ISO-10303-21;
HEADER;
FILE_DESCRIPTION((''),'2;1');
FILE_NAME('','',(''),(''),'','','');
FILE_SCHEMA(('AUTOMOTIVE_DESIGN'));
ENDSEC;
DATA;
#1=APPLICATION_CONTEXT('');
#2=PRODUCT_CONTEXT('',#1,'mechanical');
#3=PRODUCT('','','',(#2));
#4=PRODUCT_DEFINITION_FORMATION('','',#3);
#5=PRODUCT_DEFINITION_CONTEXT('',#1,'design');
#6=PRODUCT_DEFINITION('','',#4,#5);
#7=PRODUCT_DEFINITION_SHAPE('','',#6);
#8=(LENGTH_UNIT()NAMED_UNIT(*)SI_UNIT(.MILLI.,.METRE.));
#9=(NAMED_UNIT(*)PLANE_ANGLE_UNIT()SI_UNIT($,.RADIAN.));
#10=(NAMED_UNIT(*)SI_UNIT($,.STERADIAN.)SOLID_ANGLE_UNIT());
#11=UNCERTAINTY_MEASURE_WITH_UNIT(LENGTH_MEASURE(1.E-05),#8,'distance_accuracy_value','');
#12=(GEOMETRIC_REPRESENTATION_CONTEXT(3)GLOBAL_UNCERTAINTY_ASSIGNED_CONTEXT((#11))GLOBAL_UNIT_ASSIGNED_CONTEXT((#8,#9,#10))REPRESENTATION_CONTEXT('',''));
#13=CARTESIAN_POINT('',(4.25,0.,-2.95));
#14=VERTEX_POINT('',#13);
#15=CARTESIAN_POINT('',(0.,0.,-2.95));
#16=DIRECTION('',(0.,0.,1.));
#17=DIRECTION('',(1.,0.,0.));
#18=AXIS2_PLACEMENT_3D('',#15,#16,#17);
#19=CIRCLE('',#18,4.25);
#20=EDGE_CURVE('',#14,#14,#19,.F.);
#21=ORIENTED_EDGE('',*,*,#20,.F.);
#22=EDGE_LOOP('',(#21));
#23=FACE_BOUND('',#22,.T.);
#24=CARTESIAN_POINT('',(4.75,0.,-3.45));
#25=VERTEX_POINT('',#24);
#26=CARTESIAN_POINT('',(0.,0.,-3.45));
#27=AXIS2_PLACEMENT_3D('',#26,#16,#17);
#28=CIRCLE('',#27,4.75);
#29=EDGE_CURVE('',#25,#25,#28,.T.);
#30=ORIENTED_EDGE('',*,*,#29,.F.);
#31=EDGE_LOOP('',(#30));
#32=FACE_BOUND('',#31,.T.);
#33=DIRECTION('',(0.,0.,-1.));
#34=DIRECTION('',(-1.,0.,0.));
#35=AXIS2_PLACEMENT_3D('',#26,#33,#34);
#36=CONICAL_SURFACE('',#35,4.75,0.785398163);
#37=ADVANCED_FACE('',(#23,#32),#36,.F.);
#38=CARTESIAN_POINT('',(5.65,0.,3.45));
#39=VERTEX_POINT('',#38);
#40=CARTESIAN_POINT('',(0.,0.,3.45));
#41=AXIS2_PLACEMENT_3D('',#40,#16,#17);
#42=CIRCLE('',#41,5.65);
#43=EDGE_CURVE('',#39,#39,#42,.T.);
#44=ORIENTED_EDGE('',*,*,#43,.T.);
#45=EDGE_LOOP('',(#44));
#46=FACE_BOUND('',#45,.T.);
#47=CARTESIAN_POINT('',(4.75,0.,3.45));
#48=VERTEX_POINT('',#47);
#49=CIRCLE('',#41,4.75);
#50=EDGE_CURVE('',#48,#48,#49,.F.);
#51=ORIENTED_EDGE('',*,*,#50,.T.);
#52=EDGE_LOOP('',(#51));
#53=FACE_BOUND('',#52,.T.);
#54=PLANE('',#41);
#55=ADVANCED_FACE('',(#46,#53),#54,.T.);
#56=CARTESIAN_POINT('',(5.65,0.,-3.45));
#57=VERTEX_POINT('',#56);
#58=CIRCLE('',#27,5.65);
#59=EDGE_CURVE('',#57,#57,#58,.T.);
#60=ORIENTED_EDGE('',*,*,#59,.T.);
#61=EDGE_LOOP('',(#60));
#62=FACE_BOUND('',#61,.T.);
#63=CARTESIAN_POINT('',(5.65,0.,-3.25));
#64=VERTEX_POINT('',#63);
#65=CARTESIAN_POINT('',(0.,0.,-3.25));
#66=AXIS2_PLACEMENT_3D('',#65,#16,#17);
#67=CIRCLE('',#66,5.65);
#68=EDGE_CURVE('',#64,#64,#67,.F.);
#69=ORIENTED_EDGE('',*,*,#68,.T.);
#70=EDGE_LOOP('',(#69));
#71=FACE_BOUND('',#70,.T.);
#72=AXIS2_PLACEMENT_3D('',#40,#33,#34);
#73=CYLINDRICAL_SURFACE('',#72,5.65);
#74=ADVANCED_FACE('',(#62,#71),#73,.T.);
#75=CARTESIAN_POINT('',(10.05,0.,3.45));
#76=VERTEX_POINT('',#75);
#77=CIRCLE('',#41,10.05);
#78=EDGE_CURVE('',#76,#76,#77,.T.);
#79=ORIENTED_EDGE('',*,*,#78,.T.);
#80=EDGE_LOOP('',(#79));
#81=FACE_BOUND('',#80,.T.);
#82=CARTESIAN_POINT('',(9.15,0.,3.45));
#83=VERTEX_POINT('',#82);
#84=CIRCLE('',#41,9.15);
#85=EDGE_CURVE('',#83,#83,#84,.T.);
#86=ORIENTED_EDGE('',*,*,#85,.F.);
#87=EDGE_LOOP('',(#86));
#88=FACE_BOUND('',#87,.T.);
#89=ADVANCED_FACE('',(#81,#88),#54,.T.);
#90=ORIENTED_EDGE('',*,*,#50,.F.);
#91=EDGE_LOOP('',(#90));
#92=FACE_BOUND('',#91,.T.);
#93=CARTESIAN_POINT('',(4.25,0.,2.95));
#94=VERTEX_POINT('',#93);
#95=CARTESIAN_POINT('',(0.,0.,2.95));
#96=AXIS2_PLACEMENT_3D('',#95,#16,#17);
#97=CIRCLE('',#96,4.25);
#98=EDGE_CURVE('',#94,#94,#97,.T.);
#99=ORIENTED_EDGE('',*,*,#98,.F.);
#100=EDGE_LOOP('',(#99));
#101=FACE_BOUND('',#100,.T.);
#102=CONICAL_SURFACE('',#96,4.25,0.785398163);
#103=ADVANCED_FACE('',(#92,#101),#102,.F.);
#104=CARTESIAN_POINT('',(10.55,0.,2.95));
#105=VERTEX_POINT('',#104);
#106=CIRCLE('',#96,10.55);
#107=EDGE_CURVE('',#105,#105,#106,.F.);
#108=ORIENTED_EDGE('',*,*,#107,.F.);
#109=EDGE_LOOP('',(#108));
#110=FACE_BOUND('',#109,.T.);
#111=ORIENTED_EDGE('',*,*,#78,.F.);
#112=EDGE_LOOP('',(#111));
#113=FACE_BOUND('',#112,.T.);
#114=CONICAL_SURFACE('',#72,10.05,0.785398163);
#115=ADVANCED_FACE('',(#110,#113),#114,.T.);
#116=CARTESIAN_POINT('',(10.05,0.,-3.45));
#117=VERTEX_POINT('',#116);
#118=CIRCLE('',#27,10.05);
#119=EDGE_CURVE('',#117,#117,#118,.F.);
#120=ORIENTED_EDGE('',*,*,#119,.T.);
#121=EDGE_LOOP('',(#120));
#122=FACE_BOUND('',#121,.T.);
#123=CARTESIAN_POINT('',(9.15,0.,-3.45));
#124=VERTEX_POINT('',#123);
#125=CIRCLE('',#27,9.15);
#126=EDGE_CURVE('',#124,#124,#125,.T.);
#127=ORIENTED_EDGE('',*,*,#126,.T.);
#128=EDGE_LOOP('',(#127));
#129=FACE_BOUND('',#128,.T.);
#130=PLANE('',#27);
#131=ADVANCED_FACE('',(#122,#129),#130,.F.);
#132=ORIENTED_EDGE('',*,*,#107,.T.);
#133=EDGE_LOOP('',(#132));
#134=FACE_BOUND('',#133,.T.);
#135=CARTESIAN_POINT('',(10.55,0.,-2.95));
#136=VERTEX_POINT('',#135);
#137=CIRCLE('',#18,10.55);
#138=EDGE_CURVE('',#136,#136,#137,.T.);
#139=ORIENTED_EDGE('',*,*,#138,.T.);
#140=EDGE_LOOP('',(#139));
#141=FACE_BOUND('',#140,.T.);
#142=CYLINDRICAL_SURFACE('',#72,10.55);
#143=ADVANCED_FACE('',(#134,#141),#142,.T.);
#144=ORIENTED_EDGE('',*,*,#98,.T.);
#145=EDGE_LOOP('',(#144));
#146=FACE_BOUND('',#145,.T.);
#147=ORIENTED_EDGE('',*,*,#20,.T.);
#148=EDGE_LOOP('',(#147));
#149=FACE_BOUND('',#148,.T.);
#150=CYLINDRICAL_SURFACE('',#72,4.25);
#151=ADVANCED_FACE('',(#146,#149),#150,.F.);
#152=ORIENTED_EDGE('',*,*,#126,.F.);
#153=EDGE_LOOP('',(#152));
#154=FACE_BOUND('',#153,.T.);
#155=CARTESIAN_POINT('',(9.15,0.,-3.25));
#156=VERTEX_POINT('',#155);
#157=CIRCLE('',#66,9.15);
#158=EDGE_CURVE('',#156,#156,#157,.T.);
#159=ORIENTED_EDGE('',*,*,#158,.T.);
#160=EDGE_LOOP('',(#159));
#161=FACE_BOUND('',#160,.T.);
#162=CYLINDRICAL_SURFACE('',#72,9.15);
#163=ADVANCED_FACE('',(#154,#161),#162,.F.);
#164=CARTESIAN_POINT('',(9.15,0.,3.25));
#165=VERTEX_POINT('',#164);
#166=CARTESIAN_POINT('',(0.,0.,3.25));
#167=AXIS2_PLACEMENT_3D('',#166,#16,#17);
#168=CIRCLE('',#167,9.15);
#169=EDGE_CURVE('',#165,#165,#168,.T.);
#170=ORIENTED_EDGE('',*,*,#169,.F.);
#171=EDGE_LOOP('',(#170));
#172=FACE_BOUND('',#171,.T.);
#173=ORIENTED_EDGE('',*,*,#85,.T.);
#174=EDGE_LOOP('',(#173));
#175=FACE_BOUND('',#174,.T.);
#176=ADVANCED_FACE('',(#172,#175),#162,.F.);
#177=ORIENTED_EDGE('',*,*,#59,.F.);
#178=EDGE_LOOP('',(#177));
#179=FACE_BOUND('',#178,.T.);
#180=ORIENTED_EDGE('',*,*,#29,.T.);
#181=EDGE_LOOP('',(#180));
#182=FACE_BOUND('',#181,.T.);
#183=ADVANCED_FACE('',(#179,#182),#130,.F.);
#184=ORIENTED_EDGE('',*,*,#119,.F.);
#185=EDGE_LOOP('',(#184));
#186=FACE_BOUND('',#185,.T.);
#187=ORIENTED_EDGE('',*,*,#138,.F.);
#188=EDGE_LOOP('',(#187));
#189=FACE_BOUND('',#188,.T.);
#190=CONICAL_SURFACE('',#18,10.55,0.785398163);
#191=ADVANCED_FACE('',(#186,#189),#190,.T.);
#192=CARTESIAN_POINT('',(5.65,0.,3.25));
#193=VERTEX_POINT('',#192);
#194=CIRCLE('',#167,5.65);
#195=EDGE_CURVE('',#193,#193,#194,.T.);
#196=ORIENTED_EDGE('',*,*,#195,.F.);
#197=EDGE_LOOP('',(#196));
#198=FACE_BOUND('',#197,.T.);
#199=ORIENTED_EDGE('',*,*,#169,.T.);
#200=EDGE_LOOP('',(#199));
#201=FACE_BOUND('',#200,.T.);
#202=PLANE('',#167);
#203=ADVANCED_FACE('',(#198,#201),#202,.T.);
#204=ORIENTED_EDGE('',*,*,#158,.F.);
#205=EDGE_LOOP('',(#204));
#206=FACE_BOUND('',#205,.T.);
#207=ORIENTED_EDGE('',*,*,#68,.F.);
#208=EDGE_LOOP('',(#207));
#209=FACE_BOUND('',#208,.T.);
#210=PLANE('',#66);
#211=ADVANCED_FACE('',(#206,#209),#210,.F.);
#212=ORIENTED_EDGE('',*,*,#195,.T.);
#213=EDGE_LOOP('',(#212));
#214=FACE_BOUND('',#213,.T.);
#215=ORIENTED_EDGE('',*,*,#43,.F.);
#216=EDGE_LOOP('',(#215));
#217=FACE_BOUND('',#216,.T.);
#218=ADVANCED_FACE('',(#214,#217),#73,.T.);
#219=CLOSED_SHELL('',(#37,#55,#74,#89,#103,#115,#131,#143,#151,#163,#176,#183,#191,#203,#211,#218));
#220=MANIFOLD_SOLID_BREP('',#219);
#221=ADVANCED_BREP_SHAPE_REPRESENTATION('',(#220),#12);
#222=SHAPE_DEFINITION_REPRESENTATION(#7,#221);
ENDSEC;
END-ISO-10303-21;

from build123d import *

# Parameters (mm, degrees)
ESQUISSE1_R        = 10.55
ESQUISSE1_R_2      = 9.15
BOSS_EXTRU_1_DEPTH = 3.45
ESQUISSE1_3_R      = 5.65
ESQUISSE1_3_R_2    = 4.25
BOSS_EXTRU_2_DEPTH = 3.45
ESQUISSE1_4_R      = 9.15
ESQUISSE1_4_R_2    = 5.65
BOSS_EXTRU_3_DEPTH = 3.25
CHANFREIN1_SIZE    = 0.5


with BuildPart() as part:
    # Esquisse1 → Boss.-Extru.1 (new body, symmetric)
    with BuildSketch(Plane.XY):
        Circle(ESQUISSE1_R)
        Circle(ESQUISSE1_R_2, mode=Mode.SUBTRACT)
    extrude(amount=BOSS_EXTRU_1_DEPTH, both=True)



with BuildPart() as body_2:
    # Esquisse1<3> → Boss.-Extru.2 (new body, symmetric)
    with BuildSketch(Plane.XY):
        Circle(ESQUISSE1_3_R)
        Circle(ESQUISSE1_3_R_2, mode=Mode.SUBTRACT)
    extrude(amount=BOSS_EXTRU_2_DEPTH, both=True)


with BuildPart() as part_1:
    add(part.part)

    add(body_2.part)  # Boss.-Extru.3 merges body 2
    # Esquisse1<4> → Boss.-Extru.3 (add, symmetric)
    with BuildSketch(Plane.XY):
        Circle(ESQUISSE1_4_R)
        Circle(ESQUISSE1_4_R_2, mode=Mode.SUBTRACT)
    extrude(amount=BOSS_EXTRU_3_DEPTH, both=True)

    # Chanfrein1
    chanfrein1_edges = [part_1.edges().sort_by_distance(p)[0] for p in [
        (-4.25, 0, -3.45),
        (-4.25, 0, 3.45),
        (-10.55, 0, -3.45),
        (-10.55, 0, 3.45),
    ]]
    chamfer(chanfrein1_edges, length=CHANFREIN1_SIZE)


solid = part_1.part
